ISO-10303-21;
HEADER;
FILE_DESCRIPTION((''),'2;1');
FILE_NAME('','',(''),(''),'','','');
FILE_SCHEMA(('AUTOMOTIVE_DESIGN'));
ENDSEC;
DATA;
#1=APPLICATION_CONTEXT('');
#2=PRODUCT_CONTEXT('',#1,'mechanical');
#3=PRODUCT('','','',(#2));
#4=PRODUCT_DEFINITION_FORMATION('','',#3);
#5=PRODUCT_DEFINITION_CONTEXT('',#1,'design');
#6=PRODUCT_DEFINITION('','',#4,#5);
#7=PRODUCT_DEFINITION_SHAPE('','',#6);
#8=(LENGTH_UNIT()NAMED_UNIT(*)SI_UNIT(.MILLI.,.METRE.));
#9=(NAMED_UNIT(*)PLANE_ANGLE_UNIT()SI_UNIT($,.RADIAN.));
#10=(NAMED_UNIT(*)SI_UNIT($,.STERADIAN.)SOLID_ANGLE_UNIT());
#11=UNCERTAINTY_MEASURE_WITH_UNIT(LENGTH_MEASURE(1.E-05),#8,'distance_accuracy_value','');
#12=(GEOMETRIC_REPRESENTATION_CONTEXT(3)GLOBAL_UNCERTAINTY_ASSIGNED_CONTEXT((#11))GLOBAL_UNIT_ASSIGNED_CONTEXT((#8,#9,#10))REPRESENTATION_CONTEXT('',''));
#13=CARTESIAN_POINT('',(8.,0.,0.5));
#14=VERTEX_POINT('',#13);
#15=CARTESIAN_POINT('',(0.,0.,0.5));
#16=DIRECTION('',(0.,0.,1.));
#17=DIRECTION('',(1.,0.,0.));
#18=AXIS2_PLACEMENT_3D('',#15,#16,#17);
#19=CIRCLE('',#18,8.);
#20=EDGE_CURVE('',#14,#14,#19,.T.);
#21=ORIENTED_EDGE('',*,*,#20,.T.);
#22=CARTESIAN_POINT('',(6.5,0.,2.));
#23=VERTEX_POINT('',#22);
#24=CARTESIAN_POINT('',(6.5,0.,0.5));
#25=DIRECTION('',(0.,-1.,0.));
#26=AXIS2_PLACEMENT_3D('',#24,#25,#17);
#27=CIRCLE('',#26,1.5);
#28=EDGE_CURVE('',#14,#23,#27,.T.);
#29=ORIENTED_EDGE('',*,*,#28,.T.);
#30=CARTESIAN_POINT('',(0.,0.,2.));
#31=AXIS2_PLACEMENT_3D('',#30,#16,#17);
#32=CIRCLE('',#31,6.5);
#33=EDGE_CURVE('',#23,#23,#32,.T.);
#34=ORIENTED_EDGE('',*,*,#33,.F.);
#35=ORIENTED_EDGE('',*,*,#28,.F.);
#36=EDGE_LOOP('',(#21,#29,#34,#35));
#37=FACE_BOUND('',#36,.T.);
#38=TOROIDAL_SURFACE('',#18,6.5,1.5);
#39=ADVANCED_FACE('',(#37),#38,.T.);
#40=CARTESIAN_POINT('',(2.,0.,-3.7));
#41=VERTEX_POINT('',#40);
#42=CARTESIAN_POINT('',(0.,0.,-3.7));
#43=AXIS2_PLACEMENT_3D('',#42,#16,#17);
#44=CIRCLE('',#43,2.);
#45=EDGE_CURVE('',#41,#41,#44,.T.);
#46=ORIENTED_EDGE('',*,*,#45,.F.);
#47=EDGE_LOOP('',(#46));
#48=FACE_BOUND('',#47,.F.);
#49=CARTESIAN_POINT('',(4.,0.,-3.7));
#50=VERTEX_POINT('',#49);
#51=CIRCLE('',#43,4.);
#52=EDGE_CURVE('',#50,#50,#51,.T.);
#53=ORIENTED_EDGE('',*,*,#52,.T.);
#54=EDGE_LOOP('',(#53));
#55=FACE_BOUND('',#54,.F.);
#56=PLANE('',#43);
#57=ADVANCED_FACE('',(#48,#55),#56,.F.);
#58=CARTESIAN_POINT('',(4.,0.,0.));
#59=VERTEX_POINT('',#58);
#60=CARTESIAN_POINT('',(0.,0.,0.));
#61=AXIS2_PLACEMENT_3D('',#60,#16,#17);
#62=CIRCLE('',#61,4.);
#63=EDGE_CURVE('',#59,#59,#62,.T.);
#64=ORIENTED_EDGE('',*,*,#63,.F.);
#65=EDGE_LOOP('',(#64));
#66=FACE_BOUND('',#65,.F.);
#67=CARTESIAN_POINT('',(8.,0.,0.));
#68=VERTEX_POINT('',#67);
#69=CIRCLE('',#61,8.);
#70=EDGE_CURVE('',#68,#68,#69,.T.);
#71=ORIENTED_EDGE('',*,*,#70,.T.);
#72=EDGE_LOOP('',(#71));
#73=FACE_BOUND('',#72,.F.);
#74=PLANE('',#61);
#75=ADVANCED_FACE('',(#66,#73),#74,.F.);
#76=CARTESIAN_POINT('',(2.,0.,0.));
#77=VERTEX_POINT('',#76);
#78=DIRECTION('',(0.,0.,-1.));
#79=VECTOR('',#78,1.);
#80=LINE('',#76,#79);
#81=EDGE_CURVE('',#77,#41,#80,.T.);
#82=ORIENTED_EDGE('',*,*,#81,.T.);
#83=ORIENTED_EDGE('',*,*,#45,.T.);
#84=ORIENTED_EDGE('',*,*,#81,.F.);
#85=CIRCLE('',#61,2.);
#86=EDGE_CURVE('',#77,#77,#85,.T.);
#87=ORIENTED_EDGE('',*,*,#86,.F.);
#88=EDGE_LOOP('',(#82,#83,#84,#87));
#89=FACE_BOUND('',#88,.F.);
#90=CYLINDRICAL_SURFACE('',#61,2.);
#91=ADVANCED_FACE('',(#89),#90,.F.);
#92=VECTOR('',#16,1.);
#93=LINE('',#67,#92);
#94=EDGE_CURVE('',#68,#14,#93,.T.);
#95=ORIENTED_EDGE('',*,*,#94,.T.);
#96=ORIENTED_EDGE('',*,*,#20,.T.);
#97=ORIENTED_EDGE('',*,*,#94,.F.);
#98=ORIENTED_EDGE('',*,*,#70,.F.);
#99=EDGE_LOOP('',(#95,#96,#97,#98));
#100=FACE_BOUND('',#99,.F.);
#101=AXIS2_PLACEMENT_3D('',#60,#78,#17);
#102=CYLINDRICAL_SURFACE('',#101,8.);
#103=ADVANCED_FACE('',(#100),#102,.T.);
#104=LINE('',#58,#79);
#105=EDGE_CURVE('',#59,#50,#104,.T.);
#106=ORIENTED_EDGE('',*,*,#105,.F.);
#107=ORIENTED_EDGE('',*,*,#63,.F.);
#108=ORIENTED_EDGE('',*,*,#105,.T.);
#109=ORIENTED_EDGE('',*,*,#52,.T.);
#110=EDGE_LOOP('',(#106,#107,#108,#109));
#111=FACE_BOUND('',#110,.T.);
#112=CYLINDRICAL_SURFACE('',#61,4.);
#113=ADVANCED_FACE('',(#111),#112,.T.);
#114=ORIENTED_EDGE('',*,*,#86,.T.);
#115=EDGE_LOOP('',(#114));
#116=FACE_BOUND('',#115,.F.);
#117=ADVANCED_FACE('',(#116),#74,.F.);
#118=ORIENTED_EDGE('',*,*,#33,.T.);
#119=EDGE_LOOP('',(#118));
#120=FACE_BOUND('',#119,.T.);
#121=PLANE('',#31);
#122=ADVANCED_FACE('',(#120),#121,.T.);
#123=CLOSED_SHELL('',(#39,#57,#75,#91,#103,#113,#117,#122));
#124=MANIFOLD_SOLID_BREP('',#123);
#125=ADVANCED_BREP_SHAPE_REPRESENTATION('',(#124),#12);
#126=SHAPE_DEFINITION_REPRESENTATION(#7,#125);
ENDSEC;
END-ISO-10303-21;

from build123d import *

# Parameters (mm, degrees)
F0_R     = 8
F0_R_2   = 4
F0_R_3   = 2
F1_DEPTH = 2
F2_DEPTH = 3.7
F3_R     = 1.5


with BuildPart() as f1:
    # F0 (on Top) → F1 (new body)
    with BuildSketch(Plane.XY):
        Circle(F0_R)
        Circle(F0_R_2, mode=Mode.SUBTRACT)
        Circle(F0_R_2)
        Circle(F0_R_3, mode=Mode.SUBTRACT)
        Circle(F0_R_3)
    extrude(amount=F1_DEPTH)

    # F0 (on Top) → F2 (join)
    with BuildSketch(Plane.XY):
        Circle(F0_R_2)
        Circle(F0_R_3, mode=Mode.SUBTRACT)
    extrude(amount=-F2_DEPTH)

    # F3
    f3_edges = [f1.edges().sort_by_distance(p)[0] for p in [
        (-8, 0, 2),
    ]]
    fillet(f3_edges, radius=F3_R)


solid = f1.part
